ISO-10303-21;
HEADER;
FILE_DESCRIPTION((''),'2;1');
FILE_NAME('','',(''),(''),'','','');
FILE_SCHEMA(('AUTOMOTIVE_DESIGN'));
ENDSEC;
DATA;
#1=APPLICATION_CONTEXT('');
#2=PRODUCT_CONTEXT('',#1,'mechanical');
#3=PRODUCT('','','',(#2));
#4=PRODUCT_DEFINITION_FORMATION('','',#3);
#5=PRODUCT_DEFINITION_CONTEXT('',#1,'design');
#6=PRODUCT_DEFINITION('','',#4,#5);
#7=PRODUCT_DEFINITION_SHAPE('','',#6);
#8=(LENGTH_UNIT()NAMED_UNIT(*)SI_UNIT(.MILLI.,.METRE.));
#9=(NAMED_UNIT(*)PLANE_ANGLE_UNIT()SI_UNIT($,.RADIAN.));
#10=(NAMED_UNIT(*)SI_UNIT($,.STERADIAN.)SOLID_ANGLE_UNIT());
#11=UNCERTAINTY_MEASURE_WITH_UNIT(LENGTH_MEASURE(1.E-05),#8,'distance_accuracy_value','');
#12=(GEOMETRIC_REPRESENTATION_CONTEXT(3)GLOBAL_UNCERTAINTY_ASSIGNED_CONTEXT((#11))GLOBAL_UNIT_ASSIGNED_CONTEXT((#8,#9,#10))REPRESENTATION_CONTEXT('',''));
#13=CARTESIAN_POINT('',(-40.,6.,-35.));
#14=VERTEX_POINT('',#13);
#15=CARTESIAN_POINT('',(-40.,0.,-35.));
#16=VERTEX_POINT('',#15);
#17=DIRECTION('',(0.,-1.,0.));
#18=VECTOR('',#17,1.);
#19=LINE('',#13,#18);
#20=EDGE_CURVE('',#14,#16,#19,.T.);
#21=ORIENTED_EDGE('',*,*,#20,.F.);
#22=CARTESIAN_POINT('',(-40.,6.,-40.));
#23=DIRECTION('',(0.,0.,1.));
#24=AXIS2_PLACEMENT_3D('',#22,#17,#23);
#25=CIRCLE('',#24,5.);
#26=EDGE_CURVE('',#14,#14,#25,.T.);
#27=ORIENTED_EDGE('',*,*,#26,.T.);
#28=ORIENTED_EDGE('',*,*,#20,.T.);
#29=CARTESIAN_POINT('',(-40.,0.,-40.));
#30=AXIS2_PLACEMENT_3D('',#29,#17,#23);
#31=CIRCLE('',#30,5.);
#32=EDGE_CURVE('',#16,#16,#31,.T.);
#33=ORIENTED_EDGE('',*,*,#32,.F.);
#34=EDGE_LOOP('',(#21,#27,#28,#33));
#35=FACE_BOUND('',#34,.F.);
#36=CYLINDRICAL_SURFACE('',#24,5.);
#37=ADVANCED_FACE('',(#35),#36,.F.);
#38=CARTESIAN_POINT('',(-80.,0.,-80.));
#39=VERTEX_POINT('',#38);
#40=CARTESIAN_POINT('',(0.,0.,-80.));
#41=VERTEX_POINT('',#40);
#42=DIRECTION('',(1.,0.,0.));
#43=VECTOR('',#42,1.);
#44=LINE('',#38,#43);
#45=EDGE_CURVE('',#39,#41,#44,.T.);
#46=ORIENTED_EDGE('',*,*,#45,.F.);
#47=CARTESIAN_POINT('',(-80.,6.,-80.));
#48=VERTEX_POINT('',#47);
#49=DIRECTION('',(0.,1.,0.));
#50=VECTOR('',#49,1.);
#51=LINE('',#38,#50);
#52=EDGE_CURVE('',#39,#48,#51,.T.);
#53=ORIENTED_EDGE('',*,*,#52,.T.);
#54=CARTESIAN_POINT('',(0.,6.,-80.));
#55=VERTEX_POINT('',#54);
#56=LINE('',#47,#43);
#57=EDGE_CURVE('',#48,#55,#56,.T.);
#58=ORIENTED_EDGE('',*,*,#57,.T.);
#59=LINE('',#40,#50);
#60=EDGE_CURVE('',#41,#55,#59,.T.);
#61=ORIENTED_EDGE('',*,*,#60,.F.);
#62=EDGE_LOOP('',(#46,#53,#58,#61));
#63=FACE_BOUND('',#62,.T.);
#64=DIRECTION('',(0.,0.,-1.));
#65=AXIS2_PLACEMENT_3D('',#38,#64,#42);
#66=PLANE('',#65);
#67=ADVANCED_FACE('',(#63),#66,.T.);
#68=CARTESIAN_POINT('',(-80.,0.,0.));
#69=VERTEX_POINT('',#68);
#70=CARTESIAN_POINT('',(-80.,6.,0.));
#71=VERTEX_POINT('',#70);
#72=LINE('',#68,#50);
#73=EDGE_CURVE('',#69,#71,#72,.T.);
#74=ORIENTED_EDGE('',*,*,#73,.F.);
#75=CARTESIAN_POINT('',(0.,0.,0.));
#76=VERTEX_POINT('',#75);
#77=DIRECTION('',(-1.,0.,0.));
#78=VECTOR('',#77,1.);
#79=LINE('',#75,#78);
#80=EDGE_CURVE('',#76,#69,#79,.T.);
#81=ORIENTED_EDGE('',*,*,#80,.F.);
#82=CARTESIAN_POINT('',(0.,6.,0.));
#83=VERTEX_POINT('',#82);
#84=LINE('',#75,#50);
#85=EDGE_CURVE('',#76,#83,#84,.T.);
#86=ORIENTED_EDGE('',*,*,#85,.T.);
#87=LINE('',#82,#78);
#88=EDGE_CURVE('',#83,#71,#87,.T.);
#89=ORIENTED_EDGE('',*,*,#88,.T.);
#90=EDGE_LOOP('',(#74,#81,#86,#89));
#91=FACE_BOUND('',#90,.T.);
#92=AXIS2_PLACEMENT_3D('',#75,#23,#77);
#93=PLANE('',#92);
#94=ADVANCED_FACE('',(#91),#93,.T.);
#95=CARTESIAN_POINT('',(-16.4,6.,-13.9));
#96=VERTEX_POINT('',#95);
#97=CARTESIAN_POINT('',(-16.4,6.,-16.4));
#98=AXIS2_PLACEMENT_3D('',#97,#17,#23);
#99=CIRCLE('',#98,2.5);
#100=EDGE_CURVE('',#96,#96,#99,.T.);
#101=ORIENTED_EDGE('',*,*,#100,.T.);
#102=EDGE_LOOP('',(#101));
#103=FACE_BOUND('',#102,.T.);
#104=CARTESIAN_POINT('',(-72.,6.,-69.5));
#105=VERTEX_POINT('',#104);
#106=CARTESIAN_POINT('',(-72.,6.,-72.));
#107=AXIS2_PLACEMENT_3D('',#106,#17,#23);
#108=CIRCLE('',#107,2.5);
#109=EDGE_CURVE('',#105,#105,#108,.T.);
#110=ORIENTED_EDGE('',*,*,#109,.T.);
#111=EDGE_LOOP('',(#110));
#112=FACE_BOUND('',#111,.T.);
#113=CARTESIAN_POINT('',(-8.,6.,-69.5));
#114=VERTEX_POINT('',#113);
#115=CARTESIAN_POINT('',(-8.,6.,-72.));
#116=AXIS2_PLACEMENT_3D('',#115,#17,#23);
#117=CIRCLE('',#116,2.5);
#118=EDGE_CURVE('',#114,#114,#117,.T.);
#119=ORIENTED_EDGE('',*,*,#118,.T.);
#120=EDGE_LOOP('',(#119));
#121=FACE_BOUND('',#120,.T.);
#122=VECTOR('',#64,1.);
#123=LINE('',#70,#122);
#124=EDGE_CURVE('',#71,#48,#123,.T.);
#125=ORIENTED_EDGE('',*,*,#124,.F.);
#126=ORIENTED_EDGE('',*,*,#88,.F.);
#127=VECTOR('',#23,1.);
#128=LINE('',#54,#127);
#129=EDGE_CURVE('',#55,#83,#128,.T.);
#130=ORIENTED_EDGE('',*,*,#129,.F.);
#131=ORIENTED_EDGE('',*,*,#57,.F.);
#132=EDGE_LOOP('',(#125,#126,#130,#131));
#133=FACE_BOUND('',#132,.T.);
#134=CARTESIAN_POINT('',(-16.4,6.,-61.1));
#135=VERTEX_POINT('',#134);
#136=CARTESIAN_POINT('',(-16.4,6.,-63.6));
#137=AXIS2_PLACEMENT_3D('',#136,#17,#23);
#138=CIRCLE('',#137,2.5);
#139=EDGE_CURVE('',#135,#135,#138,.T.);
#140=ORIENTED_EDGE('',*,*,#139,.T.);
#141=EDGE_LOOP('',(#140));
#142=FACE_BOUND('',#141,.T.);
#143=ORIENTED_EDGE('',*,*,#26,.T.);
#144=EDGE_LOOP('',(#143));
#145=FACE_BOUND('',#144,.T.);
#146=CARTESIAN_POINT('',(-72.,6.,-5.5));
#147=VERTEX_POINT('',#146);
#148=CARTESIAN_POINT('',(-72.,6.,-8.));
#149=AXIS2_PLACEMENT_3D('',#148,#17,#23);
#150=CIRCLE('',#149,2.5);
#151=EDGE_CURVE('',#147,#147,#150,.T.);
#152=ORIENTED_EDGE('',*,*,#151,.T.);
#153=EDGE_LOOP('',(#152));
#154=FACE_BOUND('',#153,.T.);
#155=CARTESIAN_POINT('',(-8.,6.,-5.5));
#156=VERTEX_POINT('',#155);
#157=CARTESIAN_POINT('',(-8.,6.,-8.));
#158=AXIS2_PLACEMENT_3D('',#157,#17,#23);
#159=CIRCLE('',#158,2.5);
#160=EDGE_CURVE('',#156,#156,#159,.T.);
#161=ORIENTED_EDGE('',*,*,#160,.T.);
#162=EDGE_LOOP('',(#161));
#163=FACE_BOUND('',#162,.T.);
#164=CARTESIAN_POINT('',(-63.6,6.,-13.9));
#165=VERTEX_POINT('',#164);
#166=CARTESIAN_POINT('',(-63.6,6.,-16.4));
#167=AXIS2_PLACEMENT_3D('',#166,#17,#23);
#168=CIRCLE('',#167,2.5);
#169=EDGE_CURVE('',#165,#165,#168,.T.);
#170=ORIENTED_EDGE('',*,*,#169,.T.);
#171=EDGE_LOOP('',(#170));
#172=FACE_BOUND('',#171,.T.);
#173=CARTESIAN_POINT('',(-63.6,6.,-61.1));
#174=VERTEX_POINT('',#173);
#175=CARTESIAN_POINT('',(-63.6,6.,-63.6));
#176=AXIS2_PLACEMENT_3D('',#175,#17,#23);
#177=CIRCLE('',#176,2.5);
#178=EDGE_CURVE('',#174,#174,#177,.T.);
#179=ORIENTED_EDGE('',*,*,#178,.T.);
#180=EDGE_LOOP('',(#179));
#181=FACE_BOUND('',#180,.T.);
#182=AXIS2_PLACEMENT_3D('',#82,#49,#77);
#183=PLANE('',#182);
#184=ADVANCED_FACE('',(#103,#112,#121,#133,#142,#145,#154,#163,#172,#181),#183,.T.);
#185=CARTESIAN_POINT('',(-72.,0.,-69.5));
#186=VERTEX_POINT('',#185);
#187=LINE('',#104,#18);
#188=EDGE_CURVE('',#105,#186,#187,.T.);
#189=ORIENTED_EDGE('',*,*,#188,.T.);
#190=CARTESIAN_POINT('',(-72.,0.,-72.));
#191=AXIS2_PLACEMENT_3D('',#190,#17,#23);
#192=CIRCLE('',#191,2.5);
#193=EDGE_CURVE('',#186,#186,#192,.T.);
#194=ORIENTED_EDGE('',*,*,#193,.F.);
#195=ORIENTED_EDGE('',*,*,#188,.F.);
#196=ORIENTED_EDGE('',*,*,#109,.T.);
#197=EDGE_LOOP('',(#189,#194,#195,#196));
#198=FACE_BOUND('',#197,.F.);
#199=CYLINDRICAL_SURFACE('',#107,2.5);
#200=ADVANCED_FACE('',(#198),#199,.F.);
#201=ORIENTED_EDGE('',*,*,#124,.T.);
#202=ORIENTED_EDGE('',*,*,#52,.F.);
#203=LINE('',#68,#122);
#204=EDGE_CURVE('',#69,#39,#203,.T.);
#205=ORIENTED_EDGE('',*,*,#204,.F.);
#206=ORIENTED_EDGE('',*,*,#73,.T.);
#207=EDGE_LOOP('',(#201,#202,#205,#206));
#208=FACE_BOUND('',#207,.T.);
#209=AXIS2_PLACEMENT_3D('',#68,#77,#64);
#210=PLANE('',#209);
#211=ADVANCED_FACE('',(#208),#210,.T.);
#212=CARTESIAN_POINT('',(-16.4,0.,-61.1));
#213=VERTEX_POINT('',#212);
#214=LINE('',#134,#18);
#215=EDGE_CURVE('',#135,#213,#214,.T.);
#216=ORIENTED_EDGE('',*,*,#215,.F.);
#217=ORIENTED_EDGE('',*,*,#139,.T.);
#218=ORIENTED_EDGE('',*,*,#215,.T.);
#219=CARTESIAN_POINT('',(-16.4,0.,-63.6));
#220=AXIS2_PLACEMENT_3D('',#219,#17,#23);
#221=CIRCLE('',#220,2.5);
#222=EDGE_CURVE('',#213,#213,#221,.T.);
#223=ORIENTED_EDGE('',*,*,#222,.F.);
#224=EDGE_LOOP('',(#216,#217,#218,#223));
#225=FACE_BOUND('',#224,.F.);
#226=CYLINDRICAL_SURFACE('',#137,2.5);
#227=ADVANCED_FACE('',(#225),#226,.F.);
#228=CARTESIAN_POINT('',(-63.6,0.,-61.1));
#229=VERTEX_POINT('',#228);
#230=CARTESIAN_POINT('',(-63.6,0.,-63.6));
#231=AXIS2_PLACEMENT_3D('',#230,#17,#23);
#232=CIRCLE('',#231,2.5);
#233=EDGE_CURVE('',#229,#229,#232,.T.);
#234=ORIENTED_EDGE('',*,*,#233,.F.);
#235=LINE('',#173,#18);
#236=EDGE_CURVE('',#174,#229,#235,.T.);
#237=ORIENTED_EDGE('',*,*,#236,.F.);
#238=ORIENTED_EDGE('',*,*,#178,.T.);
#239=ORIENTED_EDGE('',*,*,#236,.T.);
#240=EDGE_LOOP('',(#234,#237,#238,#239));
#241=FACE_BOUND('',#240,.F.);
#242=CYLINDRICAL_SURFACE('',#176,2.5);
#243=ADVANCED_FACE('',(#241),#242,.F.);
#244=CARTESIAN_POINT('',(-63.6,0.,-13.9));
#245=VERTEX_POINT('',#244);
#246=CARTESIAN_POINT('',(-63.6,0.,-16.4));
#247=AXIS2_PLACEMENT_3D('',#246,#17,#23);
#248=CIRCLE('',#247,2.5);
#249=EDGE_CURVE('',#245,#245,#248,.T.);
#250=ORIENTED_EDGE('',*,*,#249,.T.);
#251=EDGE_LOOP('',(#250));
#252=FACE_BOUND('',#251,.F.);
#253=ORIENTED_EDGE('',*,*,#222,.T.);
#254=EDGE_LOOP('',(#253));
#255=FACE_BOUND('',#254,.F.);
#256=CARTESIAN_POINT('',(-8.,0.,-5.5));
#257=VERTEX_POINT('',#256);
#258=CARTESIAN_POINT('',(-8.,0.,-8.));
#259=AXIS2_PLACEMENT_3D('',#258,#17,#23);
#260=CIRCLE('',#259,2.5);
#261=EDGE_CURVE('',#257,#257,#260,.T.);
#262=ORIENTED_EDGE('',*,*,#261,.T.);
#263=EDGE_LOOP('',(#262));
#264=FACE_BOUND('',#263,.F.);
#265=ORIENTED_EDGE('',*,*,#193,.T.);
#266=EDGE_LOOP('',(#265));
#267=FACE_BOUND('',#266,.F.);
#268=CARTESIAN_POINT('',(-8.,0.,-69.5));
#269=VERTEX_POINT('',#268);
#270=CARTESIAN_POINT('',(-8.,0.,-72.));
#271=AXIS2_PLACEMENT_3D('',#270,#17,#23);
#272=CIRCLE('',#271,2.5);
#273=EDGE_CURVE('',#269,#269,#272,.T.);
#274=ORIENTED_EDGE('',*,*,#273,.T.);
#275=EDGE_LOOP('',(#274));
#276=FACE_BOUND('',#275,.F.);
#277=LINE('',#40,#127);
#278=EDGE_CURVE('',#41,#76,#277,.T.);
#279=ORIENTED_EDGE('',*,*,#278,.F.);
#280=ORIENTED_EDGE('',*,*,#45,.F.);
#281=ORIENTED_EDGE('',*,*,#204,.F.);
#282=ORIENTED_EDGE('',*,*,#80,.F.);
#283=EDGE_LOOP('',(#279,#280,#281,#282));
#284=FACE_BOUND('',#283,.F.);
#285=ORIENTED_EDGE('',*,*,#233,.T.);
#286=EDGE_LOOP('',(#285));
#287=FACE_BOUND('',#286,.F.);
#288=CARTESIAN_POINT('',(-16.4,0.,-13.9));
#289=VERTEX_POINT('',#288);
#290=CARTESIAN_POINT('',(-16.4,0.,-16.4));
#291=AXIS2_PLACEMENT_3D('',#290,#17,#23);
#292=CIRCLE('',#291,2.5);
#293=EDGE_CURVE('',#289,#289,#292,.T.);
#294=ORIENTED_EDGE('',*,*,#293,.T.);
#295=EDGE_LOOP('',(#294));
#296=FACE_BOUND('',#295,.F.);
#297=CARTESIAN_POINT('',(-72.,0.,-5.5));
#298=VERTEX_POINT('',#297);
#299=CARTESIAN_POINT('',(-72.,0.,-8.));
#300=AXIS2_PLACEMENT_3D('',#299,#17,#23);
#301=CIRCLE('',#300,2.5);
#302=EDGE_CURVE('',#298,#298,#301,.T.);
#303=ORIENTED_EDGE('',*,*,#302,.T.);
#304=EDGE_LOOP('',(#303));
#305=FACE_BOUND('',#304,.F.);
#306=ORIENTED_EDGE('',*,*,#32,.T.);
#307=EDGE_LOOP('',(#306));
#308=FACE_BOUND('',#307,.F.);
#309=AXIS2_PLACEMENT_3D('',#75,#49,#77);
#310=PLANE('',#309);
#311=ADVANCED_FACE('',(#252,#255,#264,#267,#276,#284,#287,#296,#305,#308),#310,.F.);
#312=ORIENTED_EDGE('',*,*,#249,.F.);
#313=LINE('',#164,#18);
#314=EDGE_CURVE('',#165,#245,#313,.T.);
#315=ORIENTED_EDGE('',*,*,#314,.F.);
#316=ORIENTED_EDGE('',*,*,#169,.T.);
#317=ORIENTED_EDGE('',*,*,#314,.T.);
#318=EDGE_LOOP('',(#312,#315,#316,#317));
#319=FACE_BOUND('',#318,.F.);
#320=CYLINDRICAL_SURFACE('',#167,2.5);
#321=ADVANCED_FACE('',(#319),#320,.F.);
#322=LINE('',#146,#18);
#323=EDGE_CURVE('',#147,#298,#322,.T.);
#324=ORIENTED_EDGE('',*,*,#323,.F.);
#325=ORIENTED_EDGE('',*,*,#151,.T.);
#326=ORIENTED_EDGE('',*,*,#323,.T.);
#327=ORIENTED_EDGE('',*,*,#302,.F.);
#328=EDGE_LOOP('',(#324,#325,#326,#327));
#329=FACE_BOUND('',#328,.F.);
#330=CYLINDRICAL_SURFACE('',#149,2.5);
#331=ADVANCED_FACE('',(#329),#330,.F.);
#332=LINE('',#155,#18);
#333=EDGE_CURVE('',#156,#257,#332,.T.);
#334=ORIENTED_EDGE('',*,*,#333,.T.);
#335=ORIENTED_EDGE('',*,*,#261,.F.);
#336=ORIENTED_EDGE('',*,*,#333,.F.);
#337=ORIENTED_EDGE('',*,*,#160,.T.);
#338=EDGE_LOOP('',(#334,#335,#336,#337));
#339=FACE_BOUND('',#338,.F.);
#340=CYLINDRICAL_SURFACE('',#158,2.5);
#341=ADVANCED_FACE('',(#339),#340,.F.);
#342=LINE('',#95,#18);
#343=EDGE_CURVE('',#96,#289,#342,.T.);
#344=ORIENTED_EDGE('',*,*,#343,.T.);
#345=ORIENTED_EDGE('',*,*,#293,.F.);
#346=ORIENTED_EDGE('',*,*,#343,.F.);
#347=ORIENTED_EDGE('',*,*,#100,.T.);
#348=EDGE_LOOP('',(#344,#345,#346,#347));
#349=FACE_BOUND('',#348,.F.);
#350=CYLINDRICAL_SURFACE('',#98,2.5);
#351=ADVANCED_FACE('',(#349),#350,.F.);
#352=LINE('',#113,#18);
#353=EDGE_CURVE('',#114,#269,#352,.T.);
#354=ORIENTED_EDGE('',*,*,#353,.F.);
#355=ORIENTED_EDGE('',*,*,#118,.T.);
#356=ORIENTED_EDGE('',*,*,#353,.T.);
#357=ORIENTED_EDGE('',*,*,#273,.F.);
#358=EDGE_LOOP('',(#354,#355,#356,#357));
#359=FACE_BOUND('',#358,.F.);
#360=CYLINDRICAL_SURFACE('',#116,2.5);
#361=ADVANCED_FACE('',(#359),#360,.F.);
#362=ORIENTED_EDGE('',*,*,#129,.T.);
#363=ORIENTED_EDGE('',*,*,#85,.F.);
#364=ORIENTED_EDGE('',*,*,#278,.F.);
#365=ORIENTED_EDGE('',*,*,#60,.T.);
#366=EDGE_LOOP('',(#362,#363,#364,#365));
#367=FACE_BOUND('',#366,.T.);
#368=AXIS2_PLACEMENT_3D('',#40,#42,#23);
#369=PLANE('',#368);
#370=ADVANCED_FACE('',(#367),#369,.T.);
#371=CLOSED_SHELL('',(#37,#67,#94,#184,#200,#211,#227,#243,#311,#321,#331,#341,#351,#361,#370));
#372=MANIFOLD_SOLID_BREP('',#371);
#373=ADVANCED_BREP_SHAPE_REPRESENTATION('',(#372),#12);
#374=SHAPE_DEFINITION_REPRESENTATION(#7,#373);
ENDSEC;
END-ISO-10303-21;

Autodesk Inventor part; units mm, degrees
ref_plane "YZ Plane" through (0, 0, 0) normal (1, 0, 0) x (0, 1, 0)
ref_plane "XZ Plane" through (0, 0, 0) normal (0, 1, 0) x (-1, 0, 0)
ref_plane "XY Plane" through (0, 0, 0) normal (0, 0, 1) x (1, 0, 0)
sketch "Esboço1" plane through (0, 0, 0) normal (0, 1, 0) x (-1, 0, 0)
  line L0 (0, 0) -> (80, 0)
  line L1 (80, 0) -> (80, -80)
  line L2 (80, -80) -> (0, -80)
  line L3 (0, -80) -> (0, 0)
  dimension "d0" = 80
  dimension "d1" = 80
extrude "Extrusão1" add sketch "Esboço1" along normal blind 6
sketch "Esboço2" plane through (0, 6, 0) normal (0, 1, 0) x (1, 0, 0)
  line L0 (-80, 0) -> (0, 0) projected
  line L1 (0, 0) -> (0, 80) projected
  point P0 (-16.4, 16.4)
  point P1 (-16.4, 63.6)
  point P2 (-63.6, 63.6)
  point P3 (-63.6, 16.4)
  dimension "d4" = 47.2
  dimension "d5" = 47.2
  dimension "d6" = 47.2
  dimension "d7" = 47.2
  dimension "d8" = 0
  dimension "d9" = 0
  dimension "d10" = 80
  dimension "d11" = 16.4
  dimension "d12" = 16.4
hole "Furo1" at (-16.4, 6, -16.4) at (-16.4, 6, -63.6) at (-63.6, 6, -63.6) at (-63.6, 6, -16.4) direction (0, -1, 0) diameter 5 depth 6
sketch "Esboço3" plane through (0, 6, 0) normal (0, 1, 0) x (1, 0, 0)
  line L0 (-80, 0) -> (0, 0) projected
  line L1 (-80, 80) -> (-80, 0) projected
  line L2 (0, 0) -> (0, 80) projected
  line L3 (0, 80) -> (-80, 80) projected
  point P0 (-8, 8)
  point P1 (-8, 72)
  point P2 (-72, 72)
  point P3 (-72, 8)
  dimension "d20" = 8
  dimension "d21" = 8
  dimension "d22" = 8
  dimension "d23" = 8
  dimension "d24" = 8
  dimension "d25" = 8
  dimension "d26" = 8
  dimension "d27" = 8
hole "Furo2" at (-8, 6, -8) at (-8, 6, -72) at (-72, 6, -72) at (-72, 6, -8) direction (0, -1, 0) diameter 5 depth 6
sketch "Esboço4" plane through (0, 6, 0) normal (0, 1, 0) x (1, 0, 0)
  line L0 (-80, 80) -> (-80, 0) projected
  line L1 (-80, 0) -> (0, 0) projected
  point P0 (-40, 40)
  dimension "d35" = 80
  dimension "d36" = 40
  dimension "d37" = 40
hole "Furo3" at (-40, 6, -40) direction (0, -1, 0) diameter 10 depth 6
equation "\"d11\" = -0.5 * d4 + 0.5 * d10"
equation "\"d12\" = d11"
equation "\"d18\" = Espessura"
equation "\"d22\" = d21"
equation "\"d23\" = d20"
equation "\"d24\" = d21"
equation "\"d25\" = d20"
equation "\"d26\" = d25"
equation "\"d27\" = d23"
equation "\"d36\" = 0.5 * d35"
equation "\"d37\" = d36"
equation "\"Raio_vergadura\" = Espessura"
equation "\"Largura_alívio_de_vergadura\" = Espessura"
equation "\"Profundidade_alívio_de_vergadura\" = 0.5 * Espessura"
equation "\"Tamanho_alívio_de_dobra\" = 4 * Espessura"
equation "\"Remanescente_mínimo\" = 2 * Espessura"
equation "\"Raiodetransição\" = Raio_vergadura"
equation "\"Tamanho_de_raio_de_Jacobi\" = Raio_vergadura"
equation "\"TamanhoFolga\" = Espessura"
equation "\"Espessura\" = 0.5"
properties part number "Suporte do motor" material "Steel"
